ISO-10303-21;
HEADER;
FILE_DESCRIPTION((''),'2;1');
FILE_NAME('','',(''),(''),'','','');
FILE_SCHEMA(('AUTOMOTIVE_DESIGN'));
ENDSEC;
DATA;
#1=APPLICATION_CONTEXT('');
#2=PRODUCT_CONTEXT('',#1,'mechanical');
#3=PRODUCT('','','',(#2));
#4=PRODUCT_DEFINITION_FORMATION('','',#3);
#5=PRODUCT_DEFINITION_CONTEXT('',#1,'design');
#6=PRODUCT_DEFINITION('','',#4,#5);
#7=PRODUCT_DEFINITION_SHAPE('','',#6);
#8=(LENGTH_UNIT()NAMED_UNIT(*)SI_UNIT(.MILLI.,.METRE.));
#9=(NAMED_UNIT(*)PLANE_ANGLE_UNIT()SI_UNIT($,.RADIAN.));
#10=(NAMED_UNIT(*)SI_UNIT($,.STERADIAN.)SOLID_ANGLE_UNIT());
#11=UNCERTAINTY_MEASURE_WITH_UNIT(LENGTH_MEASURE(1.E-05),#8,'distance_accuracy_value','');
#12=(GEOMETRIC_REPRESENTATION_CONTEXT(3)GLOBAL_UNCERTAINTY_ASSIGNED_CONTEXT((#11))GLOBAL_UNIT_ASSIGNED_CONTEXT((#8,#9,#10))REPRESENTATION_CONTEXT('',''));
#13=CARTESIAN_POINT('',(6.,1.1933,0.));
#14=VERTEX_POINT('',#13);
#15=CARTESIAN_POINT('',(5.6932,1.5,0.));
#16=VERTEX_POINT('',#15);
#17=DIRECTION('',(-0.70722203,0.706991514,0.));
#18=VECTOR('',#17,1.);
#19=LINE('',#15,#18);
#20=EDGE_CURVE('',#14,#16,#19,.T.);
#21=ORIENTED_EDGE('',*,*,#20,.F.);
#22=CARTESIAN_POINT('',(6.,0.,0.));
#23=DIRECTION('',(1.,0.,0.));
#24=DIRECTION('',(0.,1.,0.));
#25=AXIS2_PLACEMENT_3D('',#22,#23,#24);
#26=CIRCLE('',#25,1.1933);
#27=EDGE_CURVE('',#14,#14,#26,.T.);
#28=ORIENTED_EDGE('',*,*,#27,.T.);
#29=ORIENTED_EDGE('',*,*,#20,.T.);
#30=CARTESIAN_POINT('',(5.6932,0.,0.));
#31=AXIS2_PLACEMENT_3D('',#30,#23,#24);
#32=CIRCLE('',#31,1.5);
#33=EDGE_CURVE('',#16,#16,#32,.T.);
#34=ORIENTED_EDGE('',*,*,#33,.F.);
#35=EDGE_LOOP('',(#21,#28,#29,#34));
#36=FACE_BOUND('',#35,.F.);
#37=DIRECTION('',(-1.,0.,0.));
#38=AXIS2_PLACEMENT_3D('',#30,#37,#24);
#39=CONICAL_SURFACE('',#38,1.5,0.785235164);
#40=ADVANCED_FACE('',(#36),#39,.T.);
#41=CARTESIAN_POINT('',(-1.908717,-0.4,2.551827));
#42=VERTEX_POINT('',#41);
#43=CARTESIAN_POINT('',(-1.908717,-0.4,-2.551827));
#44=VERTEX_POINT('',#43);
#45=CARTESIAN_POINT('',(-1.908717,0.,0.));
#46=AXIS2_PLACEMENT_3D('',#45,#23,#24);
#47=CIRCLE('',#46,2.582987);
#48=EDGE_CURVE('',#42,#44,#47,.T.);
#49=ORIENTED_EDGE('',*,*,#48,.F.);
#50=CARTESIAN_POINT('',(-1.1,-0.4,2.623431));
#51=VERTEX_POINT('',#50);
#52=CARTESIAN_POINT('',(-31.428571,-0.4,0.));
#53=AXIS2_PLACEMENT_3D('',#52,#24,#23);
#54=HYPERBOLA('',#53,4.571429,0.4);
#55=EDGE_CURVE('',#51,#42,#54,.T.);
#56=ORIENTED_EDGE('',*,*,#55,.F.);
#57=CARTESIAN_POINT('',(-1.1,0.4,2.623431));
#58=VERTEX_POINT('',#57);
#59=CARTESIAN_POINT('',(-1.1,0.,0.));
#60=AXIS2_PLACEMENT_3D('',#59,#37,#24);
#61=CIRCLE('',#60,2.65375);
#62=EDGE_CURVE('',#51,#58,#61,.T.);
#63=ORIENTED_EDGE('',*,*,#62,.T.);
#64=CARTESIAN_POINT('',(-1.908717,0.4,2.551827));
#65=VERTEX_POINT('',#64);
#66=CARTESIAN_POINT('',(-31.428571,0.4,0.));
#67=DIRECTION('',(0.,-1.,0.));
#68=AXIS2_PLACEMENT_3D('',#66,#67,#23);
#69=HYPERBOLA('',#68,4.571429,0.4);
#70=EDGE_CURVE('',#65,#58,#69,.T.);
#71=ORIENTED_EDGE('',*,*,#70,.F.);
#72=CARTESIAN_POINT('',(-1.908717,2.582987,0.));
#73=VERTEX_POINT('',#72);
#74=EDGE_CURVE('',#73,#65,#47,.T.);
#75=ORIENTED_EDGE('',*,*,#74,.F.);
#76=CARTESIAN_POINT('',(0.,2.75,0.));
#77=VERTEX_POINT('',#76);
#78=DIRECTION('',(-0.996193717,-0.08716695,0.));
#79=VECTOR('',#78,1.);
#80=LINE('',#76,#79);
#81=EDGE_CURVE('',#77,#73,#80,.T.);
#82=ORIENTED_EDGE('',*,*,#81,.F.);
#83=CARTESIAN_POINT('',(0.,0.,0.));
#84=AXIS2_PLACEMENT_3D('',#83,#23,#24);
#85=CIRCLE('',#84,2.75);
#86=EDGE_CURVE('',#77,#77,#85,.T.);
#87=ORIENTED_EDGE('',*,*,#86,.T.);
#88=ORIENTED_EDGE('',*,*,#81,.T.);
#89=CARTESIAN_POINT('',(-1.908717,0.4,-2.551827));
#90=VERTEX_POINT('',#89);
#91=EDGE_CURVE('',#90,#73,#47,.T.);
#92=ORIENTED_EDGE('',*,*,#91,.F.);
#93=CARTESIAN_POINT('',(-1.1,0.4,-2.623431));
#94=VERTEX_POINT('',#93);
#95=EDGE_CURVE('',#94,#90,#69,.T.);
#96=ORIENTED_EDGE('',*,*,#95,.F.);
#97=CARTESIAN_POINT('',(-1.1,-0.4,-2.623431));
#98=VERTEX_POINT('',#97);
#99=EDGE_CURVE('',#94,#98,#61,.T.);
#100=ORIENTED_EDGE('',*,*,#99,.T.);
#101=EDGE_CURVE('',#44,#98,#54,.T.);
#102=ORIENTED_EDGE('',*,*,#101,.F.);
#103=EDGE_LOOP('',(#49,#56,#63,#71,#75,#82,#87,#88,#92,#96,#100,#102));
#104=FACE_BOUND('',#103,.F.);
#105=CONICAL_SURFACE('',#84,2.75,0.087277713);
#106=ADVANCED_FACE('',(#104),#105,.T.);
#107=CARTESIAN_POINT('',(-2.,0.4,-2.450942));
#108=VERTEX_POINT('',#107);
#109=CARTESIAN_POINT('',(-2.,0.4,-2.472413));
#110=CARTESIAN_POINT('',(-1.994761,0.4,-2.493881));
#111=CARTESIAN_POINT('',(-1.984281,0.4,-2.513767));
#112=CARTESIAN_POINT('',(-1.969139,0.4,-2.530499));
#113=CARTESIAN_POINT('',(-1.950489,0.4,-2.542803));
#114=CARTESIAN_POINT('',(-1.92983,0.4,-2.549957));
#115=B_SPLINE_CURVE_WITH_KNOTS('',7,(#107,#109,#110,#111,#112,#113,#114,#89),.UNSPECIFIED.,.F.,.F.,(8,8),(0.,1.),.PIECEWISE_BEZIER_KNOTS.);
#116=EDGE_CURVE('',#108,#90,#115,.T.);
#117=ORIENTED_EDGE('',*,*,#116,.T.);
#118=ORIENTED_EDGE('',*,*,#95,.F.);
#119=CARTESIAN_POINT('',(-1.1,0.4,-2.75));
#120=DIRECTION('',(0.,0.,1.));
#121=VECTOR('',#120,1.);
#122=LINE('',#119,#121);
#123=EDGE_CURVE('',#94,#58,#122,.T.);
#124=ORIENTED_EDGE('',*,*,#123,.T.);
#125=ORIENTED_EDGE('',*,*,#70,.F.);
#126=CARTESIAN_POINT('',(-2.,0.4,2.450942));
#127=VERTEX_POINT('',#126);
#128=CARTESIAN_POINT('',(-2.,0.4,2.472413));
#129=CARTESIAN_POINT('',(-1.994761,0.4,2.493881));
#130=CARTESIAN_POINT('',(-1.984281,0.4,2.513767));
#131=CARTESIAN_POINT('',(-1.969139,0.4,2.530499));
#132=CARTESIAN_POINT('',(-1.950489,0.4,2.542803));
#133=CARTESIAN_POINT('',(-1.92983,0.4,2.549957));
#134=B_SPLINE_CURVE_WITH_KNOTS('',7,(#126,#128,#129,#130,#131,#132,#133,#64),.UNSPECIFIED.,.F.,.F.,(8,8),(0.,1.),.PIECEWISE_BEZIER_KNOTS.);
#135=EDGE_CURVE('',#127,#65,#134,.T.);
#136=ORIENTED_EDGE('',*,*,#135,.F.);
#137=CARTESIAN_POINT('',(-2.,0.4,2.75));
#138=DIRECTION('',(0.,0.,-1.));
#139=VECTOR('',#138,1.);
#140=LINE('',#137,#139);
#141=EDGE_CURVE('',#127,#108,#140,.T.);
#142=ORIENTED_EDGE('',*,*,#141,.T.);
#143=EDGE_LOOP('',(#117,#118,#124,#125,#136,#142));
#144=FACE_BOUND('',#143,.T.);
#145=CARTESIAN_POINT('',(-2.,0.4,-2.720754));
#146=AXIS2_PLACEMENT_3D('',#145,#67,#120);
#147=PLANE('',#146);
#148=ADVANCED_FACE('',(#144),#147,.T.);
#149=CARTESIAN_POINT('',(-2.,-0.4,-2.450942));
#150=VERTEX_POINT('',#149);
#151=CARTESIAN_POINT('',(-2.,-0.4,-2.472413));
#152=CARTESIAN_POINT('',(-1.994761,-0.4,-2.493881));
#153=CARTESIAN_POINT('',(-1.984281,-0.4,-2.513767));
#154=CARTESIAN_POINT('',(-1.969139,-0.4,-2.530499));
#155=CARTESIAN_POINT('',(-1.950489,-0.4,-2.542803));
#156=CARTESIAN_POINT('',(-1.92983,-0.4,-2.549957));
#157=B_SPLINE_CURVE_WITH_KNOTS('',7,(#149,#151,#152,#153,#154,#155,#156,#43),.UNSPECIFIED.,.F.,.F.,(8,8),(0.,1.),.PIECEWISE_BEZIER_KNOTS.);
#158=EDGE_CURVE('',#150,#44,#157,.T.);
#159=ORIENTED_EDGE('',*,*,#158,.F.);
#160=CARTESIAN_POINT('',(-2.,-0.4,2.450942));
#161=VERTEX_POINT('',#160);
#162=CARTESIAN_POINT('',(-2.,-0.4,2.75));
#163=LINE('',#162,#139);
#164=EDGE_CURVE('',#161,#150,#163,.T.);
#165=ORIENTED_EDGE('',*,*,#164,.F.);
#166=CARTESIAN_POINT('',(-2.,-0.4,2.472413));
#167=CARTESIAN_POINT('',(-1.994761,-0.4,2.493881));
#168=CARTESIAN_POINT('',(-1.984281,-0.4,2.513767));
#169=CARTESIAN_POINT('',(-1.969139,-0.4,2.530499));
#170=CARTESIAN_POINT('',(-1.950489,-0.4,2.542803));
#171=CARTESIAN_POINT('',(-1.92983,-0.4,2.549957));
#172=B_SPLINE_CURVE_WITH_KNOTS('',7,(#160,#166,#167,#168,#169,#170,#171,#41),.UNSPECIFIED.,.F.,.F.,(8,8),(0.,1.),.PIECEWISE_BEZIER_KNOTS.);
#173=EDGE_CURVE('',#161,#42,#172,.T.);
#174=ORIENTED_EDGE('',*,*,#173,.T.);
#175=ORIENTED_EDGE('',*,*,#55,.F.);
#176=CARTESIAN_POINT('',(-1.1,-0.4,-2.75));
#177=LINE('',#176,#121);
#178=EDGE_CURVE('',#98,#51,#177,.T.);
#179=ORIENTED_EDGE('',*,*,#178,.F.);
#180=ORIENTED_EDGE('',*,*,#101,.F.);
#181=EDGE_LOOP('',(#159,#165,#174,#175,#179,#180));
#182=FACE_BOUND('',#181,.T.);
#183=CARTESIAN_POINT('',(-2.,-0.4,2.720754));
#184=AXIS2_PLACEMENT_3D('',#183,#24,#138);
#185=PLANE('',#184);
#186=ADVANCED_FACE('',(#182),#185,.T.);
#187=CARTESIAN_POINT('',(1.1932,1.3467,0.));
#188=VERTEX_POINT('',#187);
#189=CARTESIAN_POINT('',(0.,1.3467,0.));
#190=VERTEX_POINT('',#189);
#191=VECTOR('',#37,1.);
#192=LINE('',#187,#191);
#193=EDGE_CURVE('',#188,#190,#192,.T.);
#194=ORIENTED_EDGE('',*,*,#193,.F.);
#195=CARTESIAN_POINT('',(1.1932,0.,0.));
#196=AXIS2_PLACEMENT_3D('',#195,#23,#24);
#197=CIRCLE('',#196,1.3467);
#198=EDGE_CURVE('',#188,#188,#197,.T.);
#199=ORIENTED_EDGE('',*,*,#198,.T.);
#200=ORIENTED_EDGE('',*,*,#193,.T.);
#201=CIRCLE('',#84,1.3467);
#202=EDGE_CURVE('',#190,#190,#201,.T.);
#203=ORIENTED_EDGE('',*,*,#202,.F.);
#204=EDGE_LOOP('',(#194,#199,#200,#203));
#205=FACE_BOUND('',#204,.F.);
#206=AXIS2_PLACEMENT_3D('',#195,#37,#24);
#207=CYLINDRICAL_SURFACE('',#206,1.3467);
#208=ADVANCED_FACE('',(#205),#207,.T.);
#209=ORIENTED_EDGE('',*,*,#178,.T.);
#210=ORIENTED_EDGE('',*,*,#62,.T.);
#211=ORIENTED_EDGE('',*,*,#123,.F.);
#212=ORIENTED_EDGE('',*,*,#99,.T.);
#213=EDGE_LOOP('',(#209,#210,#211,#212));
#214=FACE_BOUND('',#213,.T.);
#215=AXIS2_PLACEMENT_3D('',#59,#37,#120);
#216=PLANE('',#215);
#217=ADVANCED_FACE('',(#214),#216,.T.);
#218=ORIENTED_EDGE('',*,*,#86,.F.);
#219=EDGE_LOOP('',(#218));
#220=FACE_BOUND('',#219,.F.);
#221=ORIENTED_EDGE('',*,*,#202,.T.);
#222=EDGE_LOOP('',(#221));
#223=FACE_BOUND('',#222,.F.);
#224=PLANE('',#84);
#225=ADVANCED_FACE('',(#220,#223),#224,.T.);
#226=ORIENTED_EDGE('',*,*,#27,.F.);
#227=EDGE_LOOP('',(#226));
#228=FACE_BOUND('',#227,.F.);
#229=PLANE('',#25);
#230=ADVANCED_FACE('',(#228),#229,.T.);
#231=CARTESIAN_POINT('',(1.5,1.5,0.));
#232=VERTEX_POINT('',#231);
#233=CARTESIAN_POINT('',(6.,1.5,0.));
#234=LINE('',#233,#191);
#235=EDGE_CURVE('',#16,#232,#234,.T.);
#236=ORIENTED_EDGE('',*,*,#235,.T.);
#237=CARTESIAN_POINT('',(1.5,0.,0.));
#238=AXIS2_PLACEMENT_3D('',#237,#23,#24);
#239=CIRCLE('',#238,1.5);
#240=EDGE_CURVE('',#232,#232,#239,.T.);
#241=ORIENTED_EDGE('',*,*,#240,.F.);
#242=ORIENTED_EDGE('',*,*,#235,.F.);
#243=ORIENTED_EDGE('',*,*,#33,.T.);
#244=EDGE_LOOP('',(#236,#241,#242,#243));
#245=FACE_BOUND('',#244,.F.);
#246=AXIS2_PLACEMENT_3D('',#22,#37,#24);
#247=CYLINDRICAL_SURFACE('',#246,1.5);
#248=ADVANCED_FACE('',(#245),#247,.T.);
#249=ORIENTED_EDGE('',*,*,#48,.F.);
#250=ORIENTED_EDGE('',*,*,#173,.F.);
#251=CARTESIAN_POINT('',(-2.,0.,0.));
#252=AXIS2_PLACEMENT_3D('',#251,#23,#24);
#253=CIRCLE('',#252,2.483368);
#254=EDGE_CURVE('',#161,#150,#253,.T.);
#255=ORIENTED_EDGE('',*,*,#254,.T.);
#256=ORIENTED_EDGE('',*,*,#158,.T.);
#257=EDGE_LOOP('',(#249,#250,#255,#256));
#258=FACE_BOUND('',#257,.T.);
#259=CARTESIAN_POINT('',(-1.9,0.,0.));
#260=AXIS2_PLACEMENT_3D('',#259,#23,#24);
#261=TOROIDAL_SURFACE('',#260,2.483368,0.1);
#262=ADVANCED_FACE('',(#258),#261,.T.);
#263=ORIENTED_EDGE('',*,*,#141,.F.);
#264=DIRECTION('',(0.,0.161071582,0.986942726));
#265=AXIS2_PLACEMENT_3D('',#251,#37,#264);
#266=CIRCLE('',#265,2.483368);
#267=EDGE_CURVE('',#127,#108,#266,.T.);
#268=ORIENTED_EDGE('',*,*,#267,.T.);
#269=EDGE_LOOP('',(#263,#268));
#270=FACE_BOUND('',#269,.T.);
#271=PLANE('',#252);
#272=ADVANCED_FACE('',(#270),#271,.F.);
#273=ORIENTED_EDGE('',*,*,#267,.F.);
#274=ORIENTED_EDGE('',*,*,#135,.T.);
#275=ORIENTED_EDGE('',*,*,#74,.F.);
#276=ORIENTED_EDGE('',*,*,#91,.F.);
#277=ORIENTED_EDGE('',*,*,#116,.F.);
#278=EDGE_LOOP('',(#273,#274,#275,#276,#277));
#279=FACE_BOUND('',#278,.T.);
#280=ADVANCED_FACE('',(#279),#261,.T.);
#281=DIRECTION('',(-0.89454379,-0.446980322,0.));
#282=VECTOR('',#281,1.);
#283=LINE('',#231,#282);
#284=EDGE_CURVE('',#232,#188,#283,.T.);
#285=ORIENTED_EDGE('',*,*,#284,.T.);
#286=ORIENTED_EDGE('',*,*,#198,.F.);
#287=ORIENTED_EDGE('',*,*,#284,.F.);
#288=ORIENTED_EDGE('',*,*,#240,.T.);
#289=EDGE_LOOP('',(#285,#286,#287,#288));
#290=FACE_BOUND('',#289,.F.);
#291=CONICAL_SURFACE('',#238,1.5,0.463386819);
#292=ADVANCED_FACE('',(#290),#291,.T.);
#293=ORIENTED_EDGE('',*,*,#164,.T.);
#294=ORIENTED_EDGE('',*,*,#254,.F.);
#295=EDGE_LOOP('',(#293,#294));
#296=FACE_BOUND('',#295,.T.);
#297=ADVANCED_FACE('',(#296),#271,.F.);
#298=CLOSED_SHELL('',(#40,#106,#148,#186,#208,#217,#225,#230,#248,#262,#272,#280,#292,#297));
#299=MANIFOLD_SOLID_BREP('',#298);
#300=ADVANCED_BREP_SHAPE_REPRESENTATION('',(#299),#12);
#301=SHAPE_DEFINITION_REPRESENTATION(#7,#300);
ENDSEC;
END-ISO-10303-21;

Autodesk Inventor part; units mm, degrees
ref_plane "YZ Plane" through (0, 0, 0) normal (1, 0, 0) x (0, 1, 0)
ref_plane "XZ Plane" through (0, 0, 0) normal (0, 1, 0) x (-1, 0, 0)
sketch "Esquisse1" plane through (0, 0, 0) normal (0, 0, 1) x (1, 0, 0)
  line L0 (-2, 0) -> (6, 0)
  line L1 (6, 0) -> (6, 1.5)
  line L2 (6, 1.5) -> (1.5, 1.5)
  line L3 (1.5, 1.5) -> (1.1932, 1.3467)
  line L4 (1.1932, 1.3467) -> (0, 1.3467)
  line L5 (0, 1.3467) -> (0, 2.75)
  line L6 (-3.6, 0) -> (7.6, 0) projected
  line L7 (0, -0.55) -> (0, 3.3) projected
  line L8 (-2, 0) -> (-2, 2.575)
  line L9 (0, 2.75) -> (-2, 2.575)
  line L10 (1.5, 1.5) -> (0, 1.5) construction
  dimension "d0" = 6
  dimension "d1" = 4.5
  dimension "d2" = 0.3068
  dimension "d3" = 2
  dimension "d4" = 3
  dimension "d5" = 2.6935
  dimension "d9" = 5.5
  dimension "d10" = 5
revolve "Corps" add sketch "Esquisse1" angle 360 about axis through (-2, 0, 0) along (1, 0, 0)
sketch "Esquisse2" plane through (-2, 0, 0) normal (-1, 0, 0) x (0, 0, 1)
  circle A0 centre (0, 0) radius 2.75 projected
  line L0 (0, 0) -> (0, 2.575) projected
  line L1 (-2.75, 0.4) -> (2.75, 0.4)
  line L2 (2.75, 0.4) -> (2.75, -0.4)
  line L3 (2.75, -0.4) -> (-2.75, -0.4)
  line L4 (-2.75, -0.4) -> (-2.75, 0.4)
  line L5 (-2.75, 0) -> (2.75, 0) construction
  line L6 (0, 0.4) -> (0, -0.4) construction
  dimension "d11" = 0.8
  dimension "d12" = 5.5
fillet "Congé1" radius 0.1 1 edges at (-2, -2.575, 0)
extrude "Rainure" cut sketch "Esquisse2" against normal blind 0.9 contours A0 L3 L1 | L2 L3 A0 | A0 L1 L2 | A0 L4 L1 | L3 L4 A0
thread "Filetage" size "M3x0.5" class "6g" standard "ISO Metric profile" length 4.5
chamfer "Chanfrein1" distance 0.3067 distance2 0.3068 1 edges at (6, -1.5, 0) measured on face at (6, 0.8773, -0.3972)
ref_plane "Work Plane1" through (30.1625, 0, 0) normal (0, 0, -1) x (1, 0, 0)
equation "\"d11\" = SBR"
equation "\"d12\" = KOD"
equation "\"d14\" = RR"
equation "\"d19\" = STI"
equation "\"d15\" = GEL"
equation "\"d17\" = -0.5 * SPD + 0.5 * GD"
equation "\"d0\" = NLG"
equation "\"d1\" = GEL"
equation "\"d3\" = KOH"
equation "\"d4\" = GD"
equation "\"d5\" = BDM"
equation "\"d9\" = KOD"
equation "\"d10\" = KEWI"
equation "\"GD\" = NND"
equation "\"NLG\" = 6"
equation "\"GEL\" = 4.5"
equation "\"KOD\" = 5.5"
equation "\"KOH\" = 2"
equation "\"GAL\" = 0.61345 * PTC"
equation "\"SPD\" = NND - 1.2269 * PTC"
equation "\"BDM\" = 2.6935"
equation "\"GUL\" = 0.61345 * PTC"
equation "\"RR\" = 0.1"
equation "\"SBR\" = 0.8"
equation "\"STI\" = 0.9"
equation "\"KEWI\" = 5deg"
equation "\"PTC\" = 0.5"
equation "\"THREADDIA\" = 3"
equation "\"TOA\" = 30deg"
equation "\"NND\" = 3"
equation "\"GD1\" = THREADDIA - 1.2269 * PTC"
properties part number "CNS 4355 - M 3 x 6" material "Acier, doux"
